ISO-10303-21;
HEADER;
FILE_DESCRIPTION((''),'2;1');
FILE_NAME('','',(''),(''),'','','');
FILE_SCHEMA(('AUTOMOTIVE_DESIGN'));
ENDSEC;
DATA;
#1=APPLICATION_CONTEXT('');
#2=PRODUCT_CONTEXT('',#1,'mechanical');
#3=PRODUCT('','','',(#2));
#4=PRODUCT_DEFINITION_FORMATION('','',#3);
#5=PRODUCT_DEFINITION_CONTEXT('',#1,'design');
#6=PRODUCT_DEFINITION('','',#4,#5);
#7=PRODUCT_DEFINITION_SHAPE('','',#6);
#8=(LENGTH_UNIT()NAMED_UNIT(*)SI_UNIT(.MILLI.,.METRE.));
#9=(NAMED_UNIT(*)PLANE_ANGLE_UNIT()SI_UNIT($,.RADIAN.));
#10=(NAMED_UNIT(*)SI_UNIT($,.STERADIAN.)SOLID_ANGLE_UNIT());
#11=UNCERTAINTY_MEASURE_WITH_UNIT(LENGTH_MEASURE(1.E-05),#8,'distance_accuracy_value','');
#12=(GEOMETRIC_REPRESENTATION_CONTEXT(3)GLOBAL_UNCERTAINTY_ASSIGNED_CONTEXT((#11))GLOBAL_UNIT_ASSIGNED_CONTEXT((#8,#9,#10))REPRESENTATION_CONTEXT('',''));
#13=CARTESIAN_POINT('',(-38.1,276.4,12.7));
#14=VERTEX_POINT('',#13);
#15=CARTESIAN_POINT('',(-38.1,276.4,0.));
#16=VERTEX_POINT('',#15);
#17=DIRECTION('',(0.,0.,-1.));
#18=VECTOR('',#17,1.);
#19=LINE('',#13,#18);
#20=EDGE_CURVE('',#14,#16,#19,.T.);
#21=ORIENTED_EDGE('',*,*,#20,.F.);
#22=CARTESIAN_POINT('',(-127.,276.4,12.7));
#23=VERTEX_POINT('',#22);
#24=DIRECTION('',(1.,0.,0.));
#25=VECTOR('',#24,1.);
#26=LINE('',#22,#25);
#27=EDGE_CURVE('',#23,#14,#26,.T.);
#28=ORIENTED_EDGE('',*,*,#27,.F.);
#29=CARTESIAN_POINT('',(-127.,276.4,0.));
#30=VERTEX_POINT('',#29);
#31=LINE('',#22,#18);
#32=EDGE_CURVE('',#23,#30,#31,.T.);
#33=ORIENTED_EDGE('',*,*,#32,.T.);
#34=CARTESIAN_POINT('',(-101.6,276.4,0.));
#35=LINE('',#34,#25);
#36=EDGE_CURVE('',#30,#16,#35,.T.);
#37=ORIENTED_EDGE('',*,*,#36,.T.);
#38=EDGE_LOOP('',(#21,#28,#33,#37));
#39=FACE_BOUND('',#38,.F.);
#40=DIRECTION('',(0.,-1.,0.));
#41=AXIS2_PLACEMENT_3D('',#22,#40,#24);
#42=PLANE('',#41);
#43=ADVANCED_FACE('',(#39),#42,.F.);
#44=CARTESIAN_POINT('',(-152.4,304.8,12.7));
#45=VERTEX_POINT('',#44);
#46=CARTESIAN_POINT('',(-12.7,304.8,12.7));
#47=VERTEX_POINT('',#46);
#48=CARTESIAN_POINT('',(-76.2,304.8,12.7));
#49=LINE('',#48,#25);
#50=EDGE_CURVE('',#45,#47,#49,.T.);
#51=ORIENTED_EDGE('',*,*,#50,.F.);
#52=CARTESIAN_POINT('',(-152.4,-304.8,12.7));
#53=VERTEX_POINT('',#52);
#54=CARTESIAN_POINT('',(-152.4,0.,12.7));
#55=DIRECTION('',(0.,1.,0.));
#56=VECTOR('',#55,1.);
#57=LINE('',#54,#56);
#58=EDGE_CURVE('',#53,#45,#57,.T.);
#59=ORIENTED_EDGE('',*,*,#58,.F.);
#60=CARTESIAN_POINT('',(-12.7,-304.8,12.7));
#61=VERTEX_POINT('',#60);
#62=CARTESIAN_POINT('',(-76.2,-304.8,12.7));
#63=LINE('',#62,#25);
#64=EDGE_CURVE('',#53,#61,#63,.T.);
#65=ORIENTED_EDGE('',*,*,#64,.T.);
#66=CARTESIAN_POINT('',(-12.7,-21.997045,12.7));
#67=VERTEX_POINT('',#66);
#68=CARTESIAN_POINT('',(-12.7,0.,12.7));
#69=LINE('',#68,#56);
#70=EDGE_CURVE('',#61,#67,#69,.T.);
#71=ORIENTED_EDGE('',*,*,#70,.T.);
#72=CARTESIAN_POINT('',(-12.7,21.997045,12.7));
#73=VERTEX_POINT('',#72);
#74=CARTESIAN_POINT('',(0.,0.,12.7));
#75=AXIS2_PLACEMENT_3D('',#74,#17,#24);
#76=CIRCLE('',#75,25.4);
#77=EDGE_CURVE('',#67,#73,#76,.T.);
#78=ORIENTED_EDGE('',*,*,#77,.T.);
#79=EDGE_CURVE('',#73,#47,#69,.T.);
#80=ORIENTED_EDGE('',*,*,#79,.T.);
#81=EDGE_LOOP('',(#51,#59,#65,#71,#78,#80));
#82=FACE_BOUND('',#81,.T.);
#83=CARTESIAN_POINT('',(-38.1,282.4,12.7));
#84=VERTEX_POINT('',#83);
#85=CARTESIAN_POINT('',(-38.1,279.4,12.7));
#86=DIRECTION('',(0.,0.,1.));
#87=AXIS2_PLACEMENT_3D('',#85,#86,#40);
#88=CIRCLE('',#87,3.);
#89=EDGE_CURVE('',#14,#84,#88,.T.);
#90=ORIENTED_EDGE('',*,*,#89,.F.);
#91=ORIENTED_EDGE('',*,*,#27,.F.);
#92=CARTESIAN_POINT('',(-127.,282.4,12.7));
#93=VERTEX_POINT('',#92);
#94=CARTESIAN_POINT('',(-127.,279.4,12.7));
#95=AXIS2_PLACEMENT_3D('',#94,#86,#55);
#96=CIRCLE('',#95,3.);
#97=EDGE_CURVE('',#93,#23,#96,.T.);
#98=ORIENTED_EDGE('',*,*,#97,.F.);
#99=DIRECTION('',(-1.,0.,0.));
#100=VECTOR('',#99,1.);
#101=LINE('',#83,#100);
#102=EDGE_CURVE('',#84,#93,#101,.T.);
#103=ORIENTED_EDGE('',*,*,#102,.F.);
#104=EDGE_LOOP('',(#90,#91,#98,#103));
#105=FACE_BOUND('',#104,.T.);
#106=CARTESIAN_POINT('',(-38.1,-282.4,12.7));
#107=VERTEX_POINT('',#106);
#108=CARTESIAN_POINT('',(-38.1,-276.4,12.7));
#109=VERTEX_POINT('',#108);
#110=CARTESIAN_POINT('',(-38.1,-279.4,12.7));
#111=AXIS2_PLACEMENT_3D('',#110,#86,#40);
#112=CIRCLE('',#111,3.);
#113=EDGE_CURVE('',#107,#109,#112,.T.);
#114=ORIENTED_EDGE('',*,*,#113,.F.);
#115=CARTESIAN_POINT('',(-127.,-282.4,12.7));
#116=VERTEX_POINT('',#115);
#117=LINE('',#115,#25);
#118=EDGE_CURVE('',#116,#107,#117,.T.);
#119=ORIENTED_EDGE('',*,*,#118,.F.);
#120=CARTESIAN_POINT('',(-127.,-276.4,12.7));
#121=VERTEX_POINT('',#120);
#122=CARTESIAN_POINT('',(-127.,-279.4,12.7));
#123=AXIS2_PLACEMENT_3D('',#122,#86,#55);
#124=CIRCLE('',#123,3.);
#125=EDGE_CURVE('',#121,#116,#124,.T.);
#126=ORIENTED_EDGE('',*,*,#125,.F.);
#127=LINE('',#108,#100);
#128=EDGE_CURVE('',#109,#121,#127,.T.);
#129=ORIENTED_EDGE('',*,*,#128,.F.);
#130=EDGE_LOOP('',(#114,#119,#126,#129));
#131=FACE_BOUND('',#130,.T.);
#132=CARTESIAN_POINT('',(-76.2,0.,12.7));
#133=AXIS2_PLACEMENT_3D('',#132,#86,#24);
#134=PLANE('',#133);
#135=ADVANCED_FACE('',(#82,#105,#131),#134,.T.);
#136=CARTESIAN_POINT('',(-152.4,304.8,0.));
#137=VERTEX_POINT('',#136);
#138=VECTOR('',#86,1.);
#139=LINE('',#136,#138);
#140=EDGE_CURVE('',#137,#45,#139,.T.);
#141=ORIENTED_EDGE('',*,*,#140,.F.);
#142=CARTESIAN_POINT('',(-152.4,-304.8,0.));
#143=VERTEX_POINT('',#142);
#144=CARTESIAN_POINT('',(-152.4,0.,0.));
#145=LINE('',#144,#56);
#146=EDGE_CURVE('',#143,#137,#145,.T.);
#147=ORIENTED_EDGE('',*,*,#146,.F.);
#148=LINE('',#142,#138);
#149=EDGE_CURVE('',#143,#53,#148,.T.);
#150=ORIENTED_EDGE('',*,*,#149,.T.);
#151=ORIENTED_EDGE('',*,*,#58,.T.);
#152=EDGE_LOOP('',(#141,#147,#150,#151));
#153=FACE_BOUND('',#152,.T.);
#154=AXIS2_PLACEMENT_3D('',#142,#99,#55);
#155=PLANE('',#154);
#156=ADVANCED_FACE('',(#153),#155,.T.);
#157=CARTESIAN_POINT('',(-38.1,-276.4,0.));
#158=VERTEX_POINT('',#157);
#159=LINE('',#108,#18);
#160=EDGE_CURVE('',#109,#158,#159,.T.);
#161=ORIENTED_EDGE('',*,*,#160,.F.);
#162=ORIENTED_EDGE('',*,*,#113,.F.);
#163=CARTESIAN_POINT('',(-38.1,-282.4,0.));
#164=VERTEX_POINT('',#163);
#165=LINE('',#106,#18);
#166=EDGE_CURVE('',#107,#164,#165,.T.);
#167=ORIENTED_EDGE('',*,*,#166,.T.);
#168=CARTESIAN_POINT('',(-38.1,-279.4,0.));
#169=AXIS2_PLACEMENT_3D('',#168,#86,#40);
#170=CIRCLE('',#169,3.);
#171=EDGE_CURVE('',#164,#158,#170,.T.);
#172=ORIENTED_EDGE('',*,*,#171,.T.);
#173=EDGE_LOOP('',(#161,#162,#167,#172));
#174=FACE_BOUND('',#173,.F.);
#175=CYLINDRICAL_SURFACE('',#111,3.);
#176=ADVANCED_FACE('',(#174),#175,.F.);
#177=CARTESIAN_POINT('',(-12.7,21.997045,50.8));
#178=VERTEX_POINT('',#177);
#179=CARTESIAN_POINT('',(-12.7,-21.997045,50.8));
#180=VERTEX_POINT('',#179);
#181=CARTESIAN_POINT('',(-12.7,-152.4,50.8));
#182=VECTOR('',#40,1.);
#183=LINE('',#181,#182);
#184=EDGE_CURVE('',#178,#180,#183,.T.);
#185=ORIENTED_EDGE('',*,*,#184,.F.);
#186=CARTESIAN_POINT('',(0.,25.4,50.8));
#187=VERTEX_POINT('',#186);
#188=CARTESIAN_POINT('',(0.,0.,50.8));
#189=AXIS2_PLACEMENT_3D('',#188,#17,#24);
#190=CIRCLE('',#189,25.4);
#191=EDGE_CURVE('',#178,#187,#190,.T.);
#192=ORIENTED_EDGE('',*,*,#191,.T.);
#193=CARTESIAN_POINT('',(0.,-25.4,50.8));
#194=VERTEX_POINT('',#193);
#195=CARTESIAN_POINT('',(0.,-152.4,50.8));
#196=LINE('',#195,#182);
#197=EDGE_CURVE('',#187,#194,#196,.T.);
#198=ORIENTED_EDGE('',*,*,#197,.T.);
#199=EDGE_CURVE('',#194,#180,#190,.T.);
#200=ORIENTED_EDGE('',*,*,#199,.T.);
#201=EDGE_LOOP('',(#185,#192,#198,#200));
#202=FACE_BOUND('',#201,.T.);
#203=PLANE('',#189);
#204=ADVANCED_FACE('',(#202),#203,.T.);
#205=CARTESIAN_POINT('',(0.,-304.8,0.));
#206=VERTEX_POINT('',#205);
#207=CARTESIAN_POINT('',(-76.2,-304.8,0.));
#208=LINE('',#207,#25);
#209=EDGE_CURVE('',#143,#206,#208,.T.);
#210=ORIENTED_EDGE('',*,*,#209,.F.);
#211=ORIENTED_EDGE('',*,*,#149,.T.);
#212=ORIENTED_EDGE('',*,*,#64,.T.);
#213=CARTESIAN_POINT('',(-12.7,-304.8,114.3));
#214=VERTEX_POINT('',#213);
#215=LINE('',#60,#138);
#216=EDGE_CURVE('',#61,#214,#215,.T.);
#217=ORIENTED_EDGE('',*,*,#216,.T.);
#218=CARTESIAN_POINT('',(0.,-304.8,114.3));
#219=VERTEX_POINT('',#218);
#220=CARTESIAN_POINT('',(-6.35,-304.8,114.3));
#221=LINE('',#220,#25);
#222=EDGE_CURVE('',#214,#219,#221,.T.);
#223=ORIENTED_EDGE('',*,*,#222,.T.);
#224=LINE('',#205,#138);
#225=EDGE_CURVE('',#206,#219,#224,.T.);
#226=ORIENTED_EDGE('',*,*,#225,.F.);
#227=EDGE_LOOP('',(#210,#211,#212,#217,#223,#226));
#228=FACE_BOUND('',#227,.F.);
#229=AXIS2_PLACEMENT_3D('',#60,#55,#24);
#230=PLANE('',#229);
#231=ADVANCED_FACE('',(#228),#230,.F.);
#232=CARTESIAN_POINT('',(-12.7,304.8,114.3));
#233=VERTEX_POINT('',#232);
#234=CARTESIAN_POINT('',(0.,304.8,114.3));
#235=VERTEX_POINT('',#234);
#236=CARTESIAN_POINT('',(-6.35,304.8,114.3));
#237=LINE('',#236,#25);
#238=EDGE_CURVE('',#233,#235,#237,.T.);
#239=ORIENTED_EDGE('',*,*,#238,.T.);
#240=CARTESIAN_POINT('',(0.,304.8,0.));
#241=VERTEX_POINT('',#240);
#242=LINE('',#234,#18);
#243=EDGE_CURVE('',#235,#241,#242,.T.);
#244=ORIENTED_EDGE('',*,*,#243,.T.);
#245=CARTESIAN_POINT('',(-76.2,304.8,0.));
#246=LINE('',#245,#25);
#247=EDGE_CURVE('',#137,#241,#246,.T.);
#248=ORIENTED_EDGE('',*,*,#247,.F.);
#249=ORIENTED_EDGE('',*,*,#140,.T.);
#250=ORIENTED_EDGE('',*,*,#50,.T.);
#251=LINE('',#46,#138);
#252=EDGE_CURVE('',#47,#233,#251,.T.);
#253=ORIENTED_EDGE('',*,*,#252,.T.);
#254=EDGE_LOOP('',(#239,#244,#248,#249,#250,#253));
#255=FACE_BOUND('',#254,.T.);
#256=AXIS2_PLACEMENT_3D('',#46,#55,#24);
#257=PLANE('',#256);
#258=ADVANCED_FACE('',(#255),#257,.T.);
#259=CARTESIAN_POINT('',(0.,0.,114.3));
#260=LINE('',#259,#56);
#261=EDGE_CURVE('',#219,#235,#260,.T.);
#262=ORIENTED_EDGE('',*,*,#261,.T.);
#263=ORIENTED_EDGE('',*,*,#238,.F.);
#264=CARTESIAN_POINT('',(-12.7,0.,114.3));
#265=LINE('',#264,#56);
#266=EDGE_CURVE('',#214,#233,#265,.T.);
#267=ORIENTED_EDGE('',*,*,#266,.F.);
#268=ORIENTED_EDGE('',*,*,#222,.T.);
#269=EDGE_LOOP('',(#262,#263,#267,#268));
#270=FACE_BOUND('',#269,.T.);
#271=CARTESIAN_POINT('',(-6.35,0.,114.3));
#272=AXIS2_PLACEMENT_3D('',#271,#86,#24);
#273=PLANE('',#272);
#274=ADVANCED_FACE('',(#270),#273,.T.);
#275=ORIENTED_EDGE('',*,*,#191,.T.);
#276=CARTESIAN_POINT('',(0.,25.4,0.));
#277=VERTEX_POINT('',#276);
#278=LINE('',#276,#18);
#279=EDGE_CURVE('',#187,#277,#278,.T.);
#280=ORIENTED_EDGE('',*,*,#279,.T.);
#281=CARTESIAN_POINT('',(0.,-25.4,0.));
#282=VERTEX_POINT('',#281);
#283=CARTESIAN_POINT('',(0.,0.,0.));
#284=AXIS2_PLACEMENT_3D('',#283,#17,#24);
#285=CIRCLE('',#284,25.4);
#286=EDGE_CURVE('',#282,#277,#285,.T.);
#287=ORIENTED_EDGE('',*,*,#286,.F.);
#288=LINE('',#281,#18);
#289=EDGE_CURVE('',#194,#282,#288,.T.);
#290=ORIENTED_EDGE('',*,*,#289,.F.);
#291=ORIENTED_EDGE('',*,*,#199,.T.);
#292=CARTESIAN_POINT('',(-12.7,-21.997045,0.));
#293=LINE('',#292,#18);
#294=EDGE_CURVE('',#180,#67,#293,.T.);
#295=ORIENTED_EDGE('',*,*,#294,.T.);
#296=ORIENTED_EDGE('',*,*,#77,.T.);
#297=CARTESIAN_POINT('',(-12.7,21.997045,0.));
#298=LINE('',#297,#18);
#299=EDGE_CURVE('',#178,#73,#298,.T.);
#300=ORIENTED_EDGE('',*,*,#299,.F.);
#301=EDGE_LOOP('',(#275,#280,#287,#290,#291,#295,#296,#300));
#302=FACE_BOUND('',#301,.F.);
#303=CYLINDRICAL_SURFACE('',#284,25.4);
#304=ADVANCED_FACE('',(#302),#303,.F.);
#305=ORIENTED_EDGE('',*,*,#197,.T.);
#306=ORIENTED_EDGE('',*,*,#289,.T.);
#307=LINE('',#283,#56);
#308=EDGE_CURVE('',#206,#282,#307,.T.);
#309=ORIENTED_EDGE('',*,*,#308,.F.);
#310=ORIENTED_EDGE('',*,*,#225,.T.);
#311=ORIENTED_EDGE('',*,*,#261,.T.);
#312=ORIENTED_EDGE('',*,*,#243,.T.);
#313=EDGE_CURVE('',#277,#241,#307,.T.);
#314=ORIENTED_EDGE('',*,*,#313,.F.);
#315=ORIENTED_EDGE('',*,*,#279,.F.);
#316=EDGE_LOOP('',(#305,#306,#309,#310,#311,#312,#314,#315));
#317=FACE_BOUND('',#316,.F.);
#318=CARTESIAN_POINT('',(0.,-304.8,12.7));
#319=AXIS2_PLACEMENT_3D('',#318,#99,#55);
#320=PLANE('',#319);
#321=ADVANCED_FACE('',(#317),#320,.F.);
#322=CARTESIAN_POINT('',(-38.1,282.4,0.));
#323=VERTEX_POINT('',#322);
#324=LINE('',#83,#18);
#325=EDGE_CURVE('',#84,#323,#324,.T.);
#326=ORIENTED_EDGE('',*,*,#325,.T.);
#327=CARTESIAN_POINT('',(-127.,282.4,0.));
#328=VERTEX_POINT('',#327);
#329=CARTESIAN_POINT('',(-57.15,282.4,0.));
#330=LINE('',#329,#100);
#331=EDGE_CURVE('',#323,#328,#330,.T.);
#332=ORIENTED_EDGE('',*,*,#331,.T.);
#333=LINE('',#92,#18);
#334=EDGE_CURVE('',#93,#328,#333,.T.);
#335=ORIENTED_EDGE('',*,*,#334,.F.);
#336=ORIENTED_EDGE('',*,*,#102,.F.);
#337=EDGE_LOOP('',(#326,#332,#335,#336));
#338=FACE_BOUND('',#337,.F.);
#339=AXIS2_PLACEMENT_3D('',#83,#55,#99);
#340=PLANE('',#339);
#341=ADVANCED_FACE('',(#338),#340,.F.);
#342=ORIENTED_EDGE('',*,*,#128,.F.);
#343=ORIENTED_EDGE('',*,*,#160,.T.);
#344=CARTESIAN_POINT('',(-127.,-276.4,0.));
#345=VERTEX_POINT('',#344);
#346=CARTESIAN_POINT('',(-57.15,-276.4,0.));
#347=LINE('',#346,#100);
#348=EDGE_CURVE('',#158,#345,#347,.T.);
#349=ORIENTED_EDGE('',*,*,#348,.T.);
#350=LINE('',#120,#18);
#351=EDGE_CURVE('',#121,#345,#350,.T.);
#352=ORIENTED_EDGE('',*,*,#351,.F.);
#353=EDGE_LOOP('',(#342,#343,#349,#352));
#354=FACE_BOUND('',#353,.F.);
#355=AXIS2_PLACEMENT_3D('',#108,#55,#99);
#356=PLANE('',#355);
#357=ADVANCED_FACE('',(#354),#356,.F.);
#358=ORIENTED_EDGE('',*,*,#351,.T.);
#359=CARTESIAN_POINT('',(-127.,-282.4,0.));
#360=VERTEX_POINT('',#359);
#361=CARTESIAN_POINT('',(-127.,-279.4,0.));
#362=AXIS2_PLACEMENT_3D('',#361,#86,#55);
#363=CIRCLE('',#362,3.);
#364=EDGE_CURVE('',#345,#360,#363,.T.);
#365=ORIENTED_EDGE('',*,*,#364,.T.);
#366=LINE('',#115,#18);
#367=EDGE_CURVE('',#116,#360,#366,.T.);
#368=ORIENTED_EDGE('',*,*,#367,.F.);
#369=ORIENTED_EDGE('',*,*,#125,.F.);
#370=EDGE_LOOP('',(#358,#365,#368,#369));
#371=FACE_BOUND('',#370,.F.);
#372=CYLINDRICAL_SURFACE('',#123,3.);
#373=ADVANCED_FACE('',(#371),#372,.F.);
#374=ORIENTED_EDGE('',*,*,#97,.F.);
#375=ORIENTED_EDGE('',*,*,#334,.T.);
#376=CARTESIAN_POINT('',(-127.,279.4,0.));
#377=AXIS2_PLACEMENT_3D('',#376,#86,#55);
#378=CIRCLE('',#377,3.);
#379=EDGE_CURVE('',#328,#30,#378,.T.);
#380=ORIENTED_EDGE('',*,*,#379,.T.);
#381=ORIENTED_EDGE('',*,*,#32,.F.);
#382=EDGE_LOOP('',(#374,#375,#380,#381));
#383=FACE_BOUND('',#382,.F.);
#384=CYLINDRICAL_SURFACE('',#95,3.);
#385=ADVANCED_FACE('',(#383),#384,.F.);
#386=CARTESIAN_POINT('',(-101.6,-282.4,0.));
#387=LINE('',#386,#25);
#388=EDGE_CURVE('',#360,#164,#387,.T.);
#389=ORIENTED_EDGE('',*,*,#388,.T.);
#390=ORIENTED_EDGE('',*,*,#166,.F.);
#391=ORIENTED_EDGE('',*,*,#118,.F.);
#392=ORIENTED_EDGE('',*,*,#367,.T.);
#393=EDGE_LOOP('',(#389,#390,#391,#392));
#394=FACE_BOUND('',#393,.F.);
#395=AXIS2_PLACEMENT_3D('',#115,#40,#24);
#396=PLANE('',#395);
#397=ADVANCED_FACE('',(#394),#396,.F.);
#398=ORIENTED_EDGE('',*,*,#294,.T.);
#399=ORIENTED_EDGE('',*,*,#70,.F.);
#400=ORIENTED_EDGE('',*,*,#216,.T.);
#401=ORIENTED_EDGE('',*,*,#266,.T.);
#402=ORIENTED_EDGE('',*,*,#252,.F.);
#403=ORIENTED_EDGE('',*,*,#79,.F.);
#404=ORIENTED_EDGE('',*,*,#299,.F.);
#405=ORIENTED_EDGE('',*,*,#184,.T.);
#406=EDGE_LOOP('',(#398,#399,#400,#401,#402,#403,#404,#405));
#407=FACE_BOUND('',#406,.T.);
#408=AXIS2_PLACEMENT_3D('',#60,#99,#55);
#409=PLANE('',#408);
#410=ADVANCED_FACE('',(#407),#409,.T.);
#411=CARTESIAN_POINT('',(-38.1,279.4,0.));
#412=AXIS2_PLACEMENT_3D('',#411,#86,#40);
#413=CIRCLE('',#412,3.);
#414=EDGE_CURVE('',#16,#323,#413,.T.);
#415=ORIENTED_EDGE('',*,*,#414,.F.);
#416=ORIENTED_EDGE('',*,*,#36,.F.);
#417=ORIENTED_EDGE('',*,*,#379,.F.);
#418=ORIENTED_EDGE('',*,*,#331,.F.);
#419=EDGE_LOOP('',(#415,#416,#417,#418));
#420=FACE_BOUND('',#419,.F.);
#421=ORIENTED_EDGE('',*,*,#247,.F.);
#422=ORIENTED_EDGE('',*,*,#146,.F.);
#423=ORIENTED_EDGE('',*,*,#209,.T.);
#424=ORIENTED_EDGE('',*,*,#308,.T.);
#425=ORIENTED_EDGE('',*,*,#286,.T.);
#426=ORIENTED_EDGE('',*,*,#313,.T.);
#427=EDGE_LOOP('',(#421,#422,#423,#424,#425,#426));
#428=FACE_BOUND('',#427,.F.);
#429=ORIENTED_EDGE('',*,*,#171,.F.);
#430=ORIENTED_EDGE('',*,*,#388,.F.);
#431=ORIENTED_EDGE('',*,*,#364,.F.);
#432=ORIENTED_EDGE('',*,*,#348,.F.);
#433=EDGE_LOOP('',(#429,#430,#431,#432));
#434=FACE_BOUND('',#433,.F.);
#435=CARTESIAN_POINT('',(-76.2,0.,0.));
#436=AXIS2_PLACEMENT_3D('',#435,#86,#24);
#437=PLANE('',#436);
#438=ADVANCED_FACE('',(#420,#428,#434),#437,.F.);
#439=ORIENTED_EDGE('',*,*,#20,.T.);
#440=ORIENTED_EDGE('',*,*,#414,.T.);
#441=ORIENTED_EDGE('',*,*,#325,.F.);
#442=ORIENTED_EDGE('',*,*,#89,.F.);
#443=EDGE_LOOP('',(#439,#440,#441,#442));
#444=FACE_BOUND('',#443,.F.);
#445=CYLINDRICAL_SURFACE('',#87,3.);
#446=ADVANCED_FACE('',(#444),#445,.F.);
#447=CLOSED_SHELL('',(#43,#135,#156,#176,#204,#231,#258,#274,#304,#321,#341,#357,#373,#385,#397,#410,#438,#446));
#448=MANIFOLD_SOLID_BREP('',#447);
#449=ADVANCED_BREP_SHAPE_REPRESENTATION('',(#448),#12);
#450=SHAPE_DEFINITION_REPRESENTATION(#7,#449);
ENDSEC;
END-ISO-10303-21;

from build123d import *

# Parameters (mm, degrees)
F0_W     = 152.4
F0_H     = 609.6
F1_DEPTH = 12.7
F2_W     = 12.7
F2_H     = 609.6
F3_DEPTH = 101.6
F5_DEPTH = 25
F6_R     = 25.4
F7_DEPTH = 50.8


with BuildPart() as f1:
    # F0 (on Top) → F1 (new body)
    with BuildSketch(Plane.XY):
        with Locations((-76.2, 0)):
            Rectangle(F0_W, F0_H)
    extrude(amount=F1_DEPTH)

    # F2 (on face) → F3 (join)
    with BuildSketch(Plane.XY.offset(12.7)):
        with Locations((-6.35, 0)):
            Rectangle(F2_W, F2_H)
    extrude(amount=F3_DEPTH)

    # F4 (on face) → F5 (cut)
    with BuildSketch(Plane.XY.offset(12.7)):
        with BuildLine():
            Line((-38.1, 282.4), (-127, 282.4))
            ThreePointArc((-127, 282.4), (-130, 279.4), (-127, 276.4))
            Line((-127, 276.4), (-38.1, 276.4))
            ThreePointArc((-38.1, 276.4), (-35.1, 279.4), (-38.1, 282.4))
        make_face()
        with BuildLine():
            Line((-38.1, -276.4), (-127, -276.4))
            ThreePointArc((-127, -276.4), (-130, -279.4), (-127, -282.4))
            Line((-127, -282.4), (-38.1, -282.4))
            ThreePointArc((-38.1, -282.4), (-35.1, -279.4), (-38.1, -276.4))
        make_face()
    extrude(amount=-F5_DEPTH, mode=Mode.SUBTRACT)

    # F6 (on face) → F7 (cut)
    with BuildSketch(Plane(origin=(0, 0, 0), x_dir=(1, 0, 0), z_dir=(0, 0, -1))):
        Circle(F6_R)
    extrude(amount=-F7_DEPTH, mode=Mode.SUBTRACT)


solid = f1.part
